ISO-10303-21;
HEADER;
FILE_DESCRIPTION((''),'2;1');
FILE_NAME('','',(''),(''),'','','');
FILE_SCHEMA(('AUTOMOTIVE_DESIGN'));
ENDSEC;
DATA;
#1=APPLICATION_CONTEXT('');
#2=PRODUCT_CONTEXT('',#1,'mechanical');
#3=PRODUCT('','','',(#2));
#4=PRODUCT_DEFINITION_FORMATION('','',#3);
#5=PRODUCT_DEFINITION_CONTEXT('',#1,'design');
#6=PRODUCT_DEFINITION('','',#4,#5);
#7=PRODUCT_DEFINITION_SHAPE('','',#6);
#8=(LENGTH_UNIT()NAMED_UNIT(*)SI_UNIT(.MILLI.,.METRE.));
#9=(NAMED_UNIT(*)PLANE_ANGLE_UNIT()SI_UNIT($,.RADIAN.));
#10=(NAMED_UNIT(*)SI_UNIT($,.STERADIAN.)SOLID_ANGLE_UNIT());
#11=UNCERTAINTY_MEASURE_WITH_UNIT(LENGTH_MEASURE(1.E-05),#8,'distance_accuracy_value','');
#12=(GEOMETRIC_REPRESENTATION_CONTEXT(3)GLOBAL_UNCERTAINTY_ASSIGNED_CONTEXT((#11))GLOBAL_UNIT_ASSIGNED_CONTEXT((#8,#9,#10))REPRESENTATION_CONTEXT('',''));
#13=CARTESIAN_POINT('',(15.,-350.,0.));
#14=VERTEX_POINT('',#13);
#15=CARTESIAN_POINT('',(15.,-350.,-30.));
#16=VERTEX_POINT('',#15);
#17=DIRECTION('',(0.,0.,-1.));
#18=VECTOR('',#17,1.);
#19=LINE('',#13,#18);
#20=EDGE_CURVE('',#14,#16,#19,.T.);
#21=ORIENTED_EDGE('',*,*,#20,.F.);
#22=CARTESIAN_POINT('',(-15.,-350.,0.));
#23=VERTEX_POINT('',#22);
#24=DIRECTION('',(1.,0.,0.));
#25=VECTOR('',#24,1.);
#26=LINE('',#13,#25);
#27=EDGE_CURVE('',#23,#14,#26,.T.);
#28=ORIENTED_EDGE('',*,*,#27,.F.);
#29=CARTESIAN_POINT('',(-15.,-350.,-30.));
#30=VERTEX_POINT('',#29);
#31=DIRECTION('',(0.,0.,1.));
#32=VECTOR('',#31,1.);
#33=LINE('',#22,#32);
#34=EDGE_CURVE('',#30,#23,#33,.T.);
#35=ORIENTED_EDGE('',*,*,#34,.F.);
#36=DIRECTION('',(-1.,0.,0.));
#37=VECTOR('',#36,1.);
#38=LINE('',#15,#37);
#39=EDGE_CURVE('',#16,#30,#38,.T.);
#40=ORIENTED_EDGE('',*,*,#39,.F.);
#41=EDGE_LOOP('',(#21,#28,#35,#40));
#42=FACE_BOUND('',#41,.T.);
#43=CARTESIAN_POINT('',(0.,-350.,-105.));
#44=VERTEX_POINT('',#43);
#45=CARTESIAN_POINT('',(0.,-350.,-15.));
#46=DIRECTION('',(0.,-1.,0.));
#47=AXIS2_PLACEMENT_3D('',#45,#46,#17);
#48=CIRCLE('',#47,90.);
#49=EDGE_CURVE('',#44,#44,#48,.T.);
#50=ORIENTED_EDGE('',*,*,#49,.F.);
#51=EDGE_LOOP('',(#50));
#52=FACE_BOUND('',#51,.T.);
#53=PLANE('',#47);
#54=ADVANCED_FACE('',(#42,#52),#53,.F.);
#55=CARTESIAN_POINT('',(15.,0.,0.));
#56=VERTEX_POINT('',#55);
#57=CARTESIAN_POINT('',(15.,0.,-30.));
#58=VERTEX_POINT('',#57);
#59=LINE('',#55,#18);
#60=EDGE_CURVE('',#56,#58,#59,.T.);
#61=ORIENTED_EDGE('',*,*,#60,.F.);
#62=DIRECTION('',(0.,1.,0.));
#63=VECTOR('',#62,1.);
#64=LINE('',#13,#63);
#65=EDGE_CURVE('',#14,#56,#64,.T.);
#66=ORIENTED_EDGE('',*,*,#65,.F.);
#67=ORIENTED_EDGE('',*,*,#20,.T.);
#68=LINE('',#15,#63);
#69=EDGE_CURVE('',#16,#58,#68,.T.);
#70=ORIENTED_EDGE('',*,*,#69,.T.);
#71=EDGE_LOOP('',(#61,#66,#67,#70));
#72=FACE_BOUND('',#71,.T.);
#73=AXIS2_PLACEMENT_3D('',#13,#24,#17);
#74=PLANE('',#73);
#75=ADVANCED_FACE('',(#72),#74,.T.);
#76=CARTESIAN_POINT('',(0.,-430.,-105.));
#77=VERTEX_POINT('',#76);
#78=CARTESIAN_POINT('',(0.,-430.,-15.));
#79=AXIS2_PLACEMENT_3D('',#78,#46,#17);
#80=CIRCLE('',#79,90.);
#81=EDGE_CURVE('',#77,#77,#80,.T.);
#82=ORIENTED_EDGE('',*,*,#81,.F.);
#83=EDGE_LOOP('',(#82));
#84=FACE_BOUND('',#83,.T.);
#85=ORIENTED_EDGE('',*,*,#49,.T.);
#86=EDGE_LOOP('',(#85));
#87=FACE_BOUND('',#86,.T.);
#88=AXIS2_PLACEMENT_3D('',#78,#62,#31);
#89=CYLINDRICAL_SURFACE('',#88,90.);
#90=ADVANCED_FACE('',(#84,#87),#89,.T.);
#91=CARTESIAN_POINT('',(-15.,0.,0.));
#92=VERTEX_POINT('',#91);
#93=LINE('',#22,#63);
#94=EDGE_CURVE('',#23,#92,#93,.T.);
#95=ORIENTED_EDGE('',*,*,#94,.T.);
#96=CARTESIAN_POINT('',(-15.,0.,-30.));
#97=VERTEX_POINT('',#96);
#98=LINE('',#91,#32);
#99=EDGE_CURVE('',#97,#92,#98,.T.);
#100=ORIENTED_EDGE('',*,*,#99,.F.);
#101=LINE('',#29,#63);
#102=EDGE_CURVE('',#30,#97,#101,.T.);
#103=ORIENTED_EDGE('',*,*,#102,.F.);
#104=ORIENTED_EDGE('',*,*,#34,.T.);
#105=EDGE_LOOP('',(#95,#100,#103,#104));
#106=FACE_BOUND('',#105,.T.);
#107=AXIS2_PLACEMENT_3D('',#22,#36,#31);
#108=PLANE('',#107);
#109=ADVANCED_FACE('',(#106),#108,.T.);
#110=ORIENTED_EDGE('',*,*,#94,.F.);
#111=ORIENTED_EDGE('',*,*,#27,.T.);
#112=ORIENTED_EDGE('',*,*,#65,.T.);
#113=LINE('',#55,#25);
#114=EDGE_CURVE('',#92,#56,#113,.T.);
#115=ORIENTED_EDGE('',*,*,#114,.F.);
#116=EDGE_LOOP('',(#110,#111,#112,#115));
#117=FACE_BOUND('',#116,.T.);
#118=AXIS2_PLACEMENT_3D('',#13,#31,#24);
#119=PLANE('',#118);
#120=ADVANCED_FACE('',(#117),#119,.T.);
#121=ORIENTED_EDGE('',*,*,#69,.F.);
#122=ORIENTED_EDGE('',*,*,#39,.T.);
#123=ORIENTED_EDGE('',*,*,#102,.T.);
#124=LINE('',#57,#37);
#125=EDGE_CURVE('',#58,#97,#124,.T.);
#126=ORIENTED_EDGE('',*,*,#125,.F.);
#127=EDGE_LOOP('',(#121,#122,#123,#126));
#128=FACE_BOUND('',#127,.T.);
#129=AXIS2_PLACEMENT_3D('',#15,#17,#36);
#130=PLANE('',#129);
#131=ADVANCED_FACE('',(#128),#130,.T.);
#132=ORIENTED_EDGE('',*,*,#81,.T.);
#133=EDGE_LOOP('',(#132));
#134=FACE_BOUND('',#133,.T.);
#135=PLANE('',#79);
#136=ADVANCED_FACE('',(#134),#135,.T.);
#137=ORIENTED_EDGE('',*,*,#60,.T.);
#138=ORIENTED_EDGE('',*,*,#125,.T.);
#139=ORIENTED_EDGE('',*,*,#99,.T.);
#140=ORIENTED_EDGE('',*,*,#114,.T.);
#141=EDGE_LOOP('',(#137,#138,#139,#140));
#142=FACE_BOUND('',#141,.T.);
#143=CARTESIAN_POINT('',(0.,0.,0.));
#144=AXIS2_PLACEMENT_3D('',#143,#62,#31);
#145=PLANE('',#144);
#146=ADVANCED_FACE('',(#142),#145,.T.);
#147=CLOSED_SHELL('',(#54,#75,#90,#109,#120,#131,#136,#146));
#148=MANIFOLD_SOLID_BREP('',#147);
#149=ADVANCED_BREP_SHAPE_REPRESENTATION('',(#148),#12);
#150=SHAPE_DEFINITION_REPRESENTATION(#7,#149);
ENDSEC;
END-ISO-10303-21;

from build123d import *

# Parameters (mm, degrees)
SKETCH1_W           = 30
SKETCH1_H           = 30
BOSS_EXTRUDE1_DEPTH = 350
SKETCH2_R           = 90
BOSS_EXTRUDE2_DEPTH = 80


with BuildPart() as part:
    # Sketch1 → Boss-Extrude1 (new body)
    with BuildSketch(Plane(origin=(0, 0, 0), x_dir=(1, 0, 0), z_dir=(0, 1, 0))):
        with Locations((0, 15)):
            Rectangle(SKETCH1_W, SKETCH1_H)
    extrude(amount=-BOSS_EXTRUDE1_DEPTH)

    # Sketch2 → Boss-Extrude2 (add)
    with BuildSketch(Plane.XZ.offset(350)):
        with Locations(Location((0, -15, 0), (0, 0, 270))):
            Circle(SKETCH2_R)
    extrude(amount=BOSS_EXTRUDE2_DEPTH)


solid = part.part
